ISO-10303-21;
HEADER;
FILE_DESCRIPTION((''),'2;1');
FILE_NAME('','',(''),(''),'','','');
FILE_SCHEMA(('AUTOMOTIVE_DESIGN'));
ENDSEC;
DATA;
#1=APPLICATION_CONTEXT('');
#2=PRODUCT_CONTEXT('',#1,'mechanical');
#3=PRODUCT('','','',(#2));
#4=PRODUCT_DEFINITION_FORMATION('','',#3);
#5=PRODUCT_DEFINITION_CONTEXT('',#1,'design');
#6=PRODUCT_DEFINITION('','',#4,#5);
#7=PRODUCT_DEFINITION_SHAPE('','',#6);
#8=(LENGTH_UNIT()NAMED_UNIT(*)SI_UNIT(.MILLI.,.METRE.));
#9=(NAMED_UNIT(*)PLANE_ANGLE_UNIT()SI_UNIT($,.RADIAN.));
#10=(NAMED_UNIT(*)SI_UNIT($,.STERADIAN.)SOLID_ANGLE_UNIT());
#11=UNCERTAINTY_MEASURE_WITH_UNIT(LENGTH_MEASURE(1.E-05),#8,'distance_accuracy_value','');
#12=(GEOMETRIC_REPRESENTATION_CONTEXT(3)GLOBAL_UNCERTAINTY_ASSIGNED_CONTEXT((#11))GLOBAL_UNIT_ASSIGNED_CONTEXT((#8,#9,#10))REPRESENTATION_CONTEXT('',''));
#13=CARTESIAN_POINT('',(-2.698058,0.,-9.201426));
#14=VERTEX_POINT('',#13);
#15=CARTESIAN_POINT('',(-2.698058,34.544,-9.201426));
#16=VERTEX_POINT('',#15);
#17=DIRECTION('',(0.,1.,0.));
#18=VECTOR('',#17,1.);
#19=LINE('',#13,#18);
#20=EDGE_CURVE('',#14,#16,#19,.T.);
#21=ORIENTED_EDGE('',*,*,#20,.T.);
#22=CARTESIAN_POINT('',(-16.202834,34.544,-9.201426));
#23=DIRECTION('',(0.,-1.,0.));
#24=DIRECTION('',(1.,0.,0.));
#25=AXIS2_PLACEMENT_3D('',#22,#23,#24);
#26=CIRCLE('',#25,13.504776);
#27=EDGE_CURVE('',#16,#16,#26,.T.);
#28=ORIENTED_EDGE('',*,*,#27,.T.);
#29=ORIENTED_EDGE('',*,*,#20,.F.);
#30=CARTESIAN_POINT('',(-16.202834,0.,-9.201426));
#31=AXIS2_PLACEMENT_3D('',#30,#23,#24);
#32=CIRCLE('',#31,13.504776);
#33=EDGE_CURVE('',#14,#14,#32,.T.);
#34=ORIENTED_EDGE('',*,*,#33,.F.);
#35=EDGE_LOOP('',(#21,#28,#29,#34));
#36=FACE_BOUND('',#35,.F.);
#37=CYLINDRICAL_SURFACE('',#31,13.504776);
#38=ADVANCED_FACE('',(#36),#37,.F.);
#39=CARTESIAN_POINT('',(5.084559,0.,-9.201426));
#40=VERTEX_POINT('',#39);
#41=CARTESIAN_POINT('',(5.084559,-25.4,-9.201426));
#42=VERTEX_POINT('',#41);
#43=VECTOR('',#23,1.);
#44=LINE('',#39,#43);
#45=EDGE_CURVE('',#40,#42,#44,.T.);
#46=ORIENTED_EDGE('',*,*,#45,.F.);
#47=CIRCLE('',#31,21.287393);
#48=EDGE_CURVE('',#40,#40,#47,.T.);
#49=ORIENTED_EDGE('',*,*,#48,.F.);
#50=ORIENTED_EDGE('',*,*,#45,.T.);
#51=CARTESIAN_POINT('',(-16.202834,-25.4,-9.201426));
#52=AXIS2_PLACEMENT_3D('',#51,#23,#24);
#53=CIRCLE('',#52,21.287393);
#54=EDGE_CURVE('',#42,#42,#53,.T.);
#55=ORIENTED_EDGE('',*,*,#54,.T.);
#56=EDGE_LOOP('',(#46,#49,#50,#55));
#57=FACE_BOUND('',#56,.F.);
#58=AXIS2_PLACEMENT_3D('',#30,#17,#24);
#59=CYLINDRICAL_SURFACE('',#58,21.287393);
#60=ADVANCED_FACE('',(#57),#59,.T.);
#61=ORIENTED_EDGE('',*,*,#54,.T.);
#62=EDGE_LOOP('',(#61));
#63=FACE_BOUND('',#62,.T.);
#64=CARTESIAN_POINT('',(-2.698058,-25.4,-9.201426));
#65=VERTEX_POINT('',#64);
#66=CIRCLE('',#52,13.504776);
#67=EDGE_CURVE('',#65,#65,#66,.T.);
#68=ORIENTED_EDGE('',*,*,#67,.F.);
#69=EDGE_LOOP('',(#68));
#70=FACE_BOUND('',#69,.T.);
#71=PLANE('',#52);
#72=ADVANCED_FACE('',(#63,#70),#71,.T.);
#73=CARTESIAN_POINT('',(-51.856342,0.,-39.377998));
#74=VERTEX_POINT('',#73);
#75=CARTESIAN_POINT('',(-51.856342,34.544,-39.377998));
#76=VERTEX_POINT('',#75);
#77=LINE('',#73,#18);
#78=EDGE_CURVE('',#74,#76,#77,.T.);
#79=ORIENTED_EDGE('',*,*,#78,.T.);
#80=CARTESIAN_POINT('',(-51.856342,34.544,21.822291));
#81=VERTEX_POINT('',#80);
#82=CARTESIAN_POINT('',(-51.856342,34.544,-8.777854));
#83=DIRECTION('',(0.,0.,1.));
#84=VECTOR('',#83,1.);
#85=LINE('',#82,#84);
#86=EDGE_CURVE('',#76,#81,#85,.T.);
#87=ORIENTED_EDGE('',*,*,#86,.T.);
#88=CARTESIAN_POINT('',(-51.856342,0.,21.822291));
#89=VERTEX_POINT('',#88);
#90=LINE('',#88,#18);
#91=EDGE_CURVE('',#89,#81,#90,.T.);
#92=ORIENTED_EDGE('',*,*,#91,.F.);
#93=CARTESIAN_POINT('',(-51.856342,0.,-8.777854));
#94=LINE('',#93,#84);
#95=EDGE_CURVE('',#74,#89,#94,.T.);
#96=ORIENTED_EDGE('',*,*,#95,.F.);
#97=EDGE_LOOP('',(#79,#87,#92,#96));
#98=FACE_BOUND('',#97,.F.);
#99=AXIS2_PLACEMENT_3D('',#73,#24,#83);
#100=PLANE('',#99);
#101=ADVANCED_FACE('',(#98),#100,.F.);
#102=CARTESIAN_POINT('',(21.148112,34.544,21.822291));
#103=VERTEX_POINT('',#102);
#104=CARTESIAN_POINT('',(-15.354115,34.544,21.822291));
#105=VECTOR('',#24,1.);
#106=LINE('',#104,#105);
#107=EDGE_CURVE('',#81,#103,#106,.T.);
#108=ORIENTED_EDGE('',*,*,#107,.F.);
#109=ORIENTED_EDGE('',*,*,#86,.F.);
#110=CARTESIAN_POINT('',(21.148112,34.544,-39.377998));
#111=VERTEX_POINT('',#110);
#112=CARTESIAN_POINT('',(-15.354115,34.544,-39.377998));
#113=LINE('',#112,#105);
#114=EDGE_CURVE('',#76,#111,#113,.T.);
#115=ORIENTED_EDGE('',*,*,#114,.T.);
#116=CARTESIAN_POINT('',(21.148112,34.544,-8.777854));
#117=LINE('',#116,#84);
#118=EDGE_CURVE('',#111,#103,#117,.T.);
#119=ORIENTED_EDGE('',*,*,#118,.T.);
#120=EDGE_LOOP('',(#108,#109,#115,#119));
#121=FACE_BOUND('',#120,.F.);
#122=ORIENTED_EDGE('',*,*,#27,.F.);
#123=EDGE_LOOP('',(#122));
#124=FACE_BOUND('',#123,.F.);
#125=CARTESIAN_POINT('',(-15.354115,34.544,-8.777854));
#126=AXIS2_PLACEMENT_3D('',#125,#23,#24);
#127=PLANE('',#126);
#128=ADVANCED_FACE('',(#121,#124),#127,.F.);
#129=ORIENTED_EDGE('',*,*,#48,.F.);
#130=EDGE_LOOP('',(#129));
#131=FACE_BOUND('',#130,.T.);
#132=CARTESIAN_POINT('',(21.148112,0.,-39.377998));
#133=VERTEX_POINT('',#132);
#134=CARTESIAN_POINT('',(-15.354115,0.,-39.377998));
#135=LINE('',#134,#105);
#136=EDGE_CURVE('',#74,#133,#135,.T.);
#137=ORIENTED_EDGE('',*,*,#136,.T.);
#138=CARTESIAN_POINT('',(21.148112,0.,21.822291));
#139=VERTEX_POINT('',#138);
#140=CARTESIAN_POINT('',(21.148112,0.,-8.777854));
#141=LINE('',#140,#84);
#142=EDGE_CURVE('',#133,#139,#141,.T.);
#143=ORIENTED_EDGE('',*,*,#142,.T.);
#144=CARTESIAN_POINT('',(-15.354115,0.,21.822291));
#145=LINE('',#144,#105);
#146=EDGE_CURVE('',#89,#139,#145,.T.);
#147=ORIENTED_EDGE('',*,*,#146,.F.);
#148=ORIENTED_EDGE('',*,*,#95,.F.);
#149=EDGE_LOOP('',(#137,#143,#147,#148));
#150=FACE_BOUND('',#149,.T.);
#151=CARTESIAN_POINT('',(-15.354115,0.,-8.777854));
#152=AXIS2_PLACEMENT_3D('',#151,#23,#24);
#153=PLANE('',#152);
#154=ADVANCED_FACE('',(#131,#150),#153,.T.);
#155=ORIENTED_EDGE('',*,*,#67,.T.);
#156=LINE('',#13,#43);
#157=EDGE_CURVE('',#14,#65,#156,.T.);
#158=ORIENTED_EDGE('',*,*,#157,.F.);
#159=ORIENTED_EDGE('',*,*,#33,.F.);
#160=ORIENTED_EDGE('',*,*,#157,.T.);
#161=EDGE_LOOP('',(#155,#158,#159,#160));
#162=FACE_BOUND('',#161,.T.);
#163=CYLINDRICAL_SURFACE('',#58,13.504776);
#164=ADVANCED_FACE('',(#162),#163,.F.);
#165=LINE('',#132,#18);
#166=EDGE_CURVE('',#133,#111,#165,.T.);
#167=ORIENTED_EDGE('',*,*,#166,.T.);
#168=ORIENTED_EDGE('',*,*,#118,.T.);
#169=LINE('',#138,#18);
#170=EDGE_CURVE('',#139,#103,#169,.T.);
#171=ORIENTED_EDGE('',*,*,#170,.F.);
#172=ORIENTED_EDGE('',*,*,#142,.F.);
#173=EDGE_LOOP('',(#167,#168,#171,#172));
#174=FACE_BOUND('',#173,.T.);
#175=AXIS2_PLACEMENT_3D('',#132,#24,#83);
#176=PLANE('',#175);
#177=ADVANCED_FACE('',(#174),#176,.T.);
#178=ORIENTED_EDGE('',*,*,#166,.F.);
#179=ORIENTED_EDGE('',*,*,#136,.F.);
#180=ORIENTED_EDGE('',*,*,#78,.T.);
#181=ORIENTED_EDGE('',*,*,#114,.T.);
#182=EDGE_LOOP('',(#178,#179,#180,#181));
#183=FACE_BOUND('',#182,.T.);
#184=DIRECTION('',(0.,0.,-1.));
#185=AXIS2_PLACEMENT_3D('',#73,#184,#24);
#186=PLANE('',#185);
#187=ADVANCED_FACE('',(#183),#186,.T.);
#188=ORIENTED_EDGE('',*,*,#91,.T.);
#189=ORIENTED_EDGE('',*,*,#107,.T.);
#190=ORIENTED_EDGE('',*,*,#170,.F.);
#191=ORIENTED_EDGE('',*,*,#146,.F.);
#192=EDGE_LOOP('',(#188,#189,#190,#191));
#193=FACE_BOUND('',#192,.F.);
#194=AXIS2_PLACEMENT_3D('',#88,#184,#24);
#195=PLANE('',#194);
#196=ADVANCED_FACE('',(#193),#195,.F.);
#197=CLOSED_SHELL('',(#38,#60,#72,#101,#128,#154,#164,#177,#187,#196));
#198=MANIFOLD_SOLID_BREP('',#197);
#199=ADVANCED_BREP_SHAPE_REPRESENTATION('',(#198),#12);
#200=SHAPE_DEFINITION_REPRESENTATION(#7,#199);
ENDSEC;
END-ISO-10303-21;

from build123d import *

# Parameters (mm, degrees)
F0_W     = 73.004455
F0_H     = 61.200289
F1_DEPTH = 34.544
F2_R     = 13.504776
F3_DEPTH = 69.342
F2_R_2   = 21.287393
F4_DEPTH = 25.4


with BuildPart() as f1:
    # F0 (on Front) → F1 (new body)
    with BuildSketch(Plane.XZ):
        with Locations((-15.354115, -8.777854)):
            Rectangle(F0_W, F0_H)
    extrude(amount=-F1_DEPTH)

    # F2 (on face) → F3 (cut)
    with BuildSketch(Plane.XZ):
        with Locations((-16.202834, -9.201426)):
            Circle(F2_R)
    extrude(amount=-F3_DEPTH, mode=Mode.SUBTRACT)

    # F2 (on face) → F4 (join)
    with BuildSketch(Plane.XZ):
        with Locations((-16.202834, -9.201426)):
            Circle(F2_R_2)
        with Locations((-16.202834, -9.201426)):
            Circle(F2_R, mode=Mode.SUBTRACT)
    extrude(amount=F4_DEPTH)


solid = f1.part
